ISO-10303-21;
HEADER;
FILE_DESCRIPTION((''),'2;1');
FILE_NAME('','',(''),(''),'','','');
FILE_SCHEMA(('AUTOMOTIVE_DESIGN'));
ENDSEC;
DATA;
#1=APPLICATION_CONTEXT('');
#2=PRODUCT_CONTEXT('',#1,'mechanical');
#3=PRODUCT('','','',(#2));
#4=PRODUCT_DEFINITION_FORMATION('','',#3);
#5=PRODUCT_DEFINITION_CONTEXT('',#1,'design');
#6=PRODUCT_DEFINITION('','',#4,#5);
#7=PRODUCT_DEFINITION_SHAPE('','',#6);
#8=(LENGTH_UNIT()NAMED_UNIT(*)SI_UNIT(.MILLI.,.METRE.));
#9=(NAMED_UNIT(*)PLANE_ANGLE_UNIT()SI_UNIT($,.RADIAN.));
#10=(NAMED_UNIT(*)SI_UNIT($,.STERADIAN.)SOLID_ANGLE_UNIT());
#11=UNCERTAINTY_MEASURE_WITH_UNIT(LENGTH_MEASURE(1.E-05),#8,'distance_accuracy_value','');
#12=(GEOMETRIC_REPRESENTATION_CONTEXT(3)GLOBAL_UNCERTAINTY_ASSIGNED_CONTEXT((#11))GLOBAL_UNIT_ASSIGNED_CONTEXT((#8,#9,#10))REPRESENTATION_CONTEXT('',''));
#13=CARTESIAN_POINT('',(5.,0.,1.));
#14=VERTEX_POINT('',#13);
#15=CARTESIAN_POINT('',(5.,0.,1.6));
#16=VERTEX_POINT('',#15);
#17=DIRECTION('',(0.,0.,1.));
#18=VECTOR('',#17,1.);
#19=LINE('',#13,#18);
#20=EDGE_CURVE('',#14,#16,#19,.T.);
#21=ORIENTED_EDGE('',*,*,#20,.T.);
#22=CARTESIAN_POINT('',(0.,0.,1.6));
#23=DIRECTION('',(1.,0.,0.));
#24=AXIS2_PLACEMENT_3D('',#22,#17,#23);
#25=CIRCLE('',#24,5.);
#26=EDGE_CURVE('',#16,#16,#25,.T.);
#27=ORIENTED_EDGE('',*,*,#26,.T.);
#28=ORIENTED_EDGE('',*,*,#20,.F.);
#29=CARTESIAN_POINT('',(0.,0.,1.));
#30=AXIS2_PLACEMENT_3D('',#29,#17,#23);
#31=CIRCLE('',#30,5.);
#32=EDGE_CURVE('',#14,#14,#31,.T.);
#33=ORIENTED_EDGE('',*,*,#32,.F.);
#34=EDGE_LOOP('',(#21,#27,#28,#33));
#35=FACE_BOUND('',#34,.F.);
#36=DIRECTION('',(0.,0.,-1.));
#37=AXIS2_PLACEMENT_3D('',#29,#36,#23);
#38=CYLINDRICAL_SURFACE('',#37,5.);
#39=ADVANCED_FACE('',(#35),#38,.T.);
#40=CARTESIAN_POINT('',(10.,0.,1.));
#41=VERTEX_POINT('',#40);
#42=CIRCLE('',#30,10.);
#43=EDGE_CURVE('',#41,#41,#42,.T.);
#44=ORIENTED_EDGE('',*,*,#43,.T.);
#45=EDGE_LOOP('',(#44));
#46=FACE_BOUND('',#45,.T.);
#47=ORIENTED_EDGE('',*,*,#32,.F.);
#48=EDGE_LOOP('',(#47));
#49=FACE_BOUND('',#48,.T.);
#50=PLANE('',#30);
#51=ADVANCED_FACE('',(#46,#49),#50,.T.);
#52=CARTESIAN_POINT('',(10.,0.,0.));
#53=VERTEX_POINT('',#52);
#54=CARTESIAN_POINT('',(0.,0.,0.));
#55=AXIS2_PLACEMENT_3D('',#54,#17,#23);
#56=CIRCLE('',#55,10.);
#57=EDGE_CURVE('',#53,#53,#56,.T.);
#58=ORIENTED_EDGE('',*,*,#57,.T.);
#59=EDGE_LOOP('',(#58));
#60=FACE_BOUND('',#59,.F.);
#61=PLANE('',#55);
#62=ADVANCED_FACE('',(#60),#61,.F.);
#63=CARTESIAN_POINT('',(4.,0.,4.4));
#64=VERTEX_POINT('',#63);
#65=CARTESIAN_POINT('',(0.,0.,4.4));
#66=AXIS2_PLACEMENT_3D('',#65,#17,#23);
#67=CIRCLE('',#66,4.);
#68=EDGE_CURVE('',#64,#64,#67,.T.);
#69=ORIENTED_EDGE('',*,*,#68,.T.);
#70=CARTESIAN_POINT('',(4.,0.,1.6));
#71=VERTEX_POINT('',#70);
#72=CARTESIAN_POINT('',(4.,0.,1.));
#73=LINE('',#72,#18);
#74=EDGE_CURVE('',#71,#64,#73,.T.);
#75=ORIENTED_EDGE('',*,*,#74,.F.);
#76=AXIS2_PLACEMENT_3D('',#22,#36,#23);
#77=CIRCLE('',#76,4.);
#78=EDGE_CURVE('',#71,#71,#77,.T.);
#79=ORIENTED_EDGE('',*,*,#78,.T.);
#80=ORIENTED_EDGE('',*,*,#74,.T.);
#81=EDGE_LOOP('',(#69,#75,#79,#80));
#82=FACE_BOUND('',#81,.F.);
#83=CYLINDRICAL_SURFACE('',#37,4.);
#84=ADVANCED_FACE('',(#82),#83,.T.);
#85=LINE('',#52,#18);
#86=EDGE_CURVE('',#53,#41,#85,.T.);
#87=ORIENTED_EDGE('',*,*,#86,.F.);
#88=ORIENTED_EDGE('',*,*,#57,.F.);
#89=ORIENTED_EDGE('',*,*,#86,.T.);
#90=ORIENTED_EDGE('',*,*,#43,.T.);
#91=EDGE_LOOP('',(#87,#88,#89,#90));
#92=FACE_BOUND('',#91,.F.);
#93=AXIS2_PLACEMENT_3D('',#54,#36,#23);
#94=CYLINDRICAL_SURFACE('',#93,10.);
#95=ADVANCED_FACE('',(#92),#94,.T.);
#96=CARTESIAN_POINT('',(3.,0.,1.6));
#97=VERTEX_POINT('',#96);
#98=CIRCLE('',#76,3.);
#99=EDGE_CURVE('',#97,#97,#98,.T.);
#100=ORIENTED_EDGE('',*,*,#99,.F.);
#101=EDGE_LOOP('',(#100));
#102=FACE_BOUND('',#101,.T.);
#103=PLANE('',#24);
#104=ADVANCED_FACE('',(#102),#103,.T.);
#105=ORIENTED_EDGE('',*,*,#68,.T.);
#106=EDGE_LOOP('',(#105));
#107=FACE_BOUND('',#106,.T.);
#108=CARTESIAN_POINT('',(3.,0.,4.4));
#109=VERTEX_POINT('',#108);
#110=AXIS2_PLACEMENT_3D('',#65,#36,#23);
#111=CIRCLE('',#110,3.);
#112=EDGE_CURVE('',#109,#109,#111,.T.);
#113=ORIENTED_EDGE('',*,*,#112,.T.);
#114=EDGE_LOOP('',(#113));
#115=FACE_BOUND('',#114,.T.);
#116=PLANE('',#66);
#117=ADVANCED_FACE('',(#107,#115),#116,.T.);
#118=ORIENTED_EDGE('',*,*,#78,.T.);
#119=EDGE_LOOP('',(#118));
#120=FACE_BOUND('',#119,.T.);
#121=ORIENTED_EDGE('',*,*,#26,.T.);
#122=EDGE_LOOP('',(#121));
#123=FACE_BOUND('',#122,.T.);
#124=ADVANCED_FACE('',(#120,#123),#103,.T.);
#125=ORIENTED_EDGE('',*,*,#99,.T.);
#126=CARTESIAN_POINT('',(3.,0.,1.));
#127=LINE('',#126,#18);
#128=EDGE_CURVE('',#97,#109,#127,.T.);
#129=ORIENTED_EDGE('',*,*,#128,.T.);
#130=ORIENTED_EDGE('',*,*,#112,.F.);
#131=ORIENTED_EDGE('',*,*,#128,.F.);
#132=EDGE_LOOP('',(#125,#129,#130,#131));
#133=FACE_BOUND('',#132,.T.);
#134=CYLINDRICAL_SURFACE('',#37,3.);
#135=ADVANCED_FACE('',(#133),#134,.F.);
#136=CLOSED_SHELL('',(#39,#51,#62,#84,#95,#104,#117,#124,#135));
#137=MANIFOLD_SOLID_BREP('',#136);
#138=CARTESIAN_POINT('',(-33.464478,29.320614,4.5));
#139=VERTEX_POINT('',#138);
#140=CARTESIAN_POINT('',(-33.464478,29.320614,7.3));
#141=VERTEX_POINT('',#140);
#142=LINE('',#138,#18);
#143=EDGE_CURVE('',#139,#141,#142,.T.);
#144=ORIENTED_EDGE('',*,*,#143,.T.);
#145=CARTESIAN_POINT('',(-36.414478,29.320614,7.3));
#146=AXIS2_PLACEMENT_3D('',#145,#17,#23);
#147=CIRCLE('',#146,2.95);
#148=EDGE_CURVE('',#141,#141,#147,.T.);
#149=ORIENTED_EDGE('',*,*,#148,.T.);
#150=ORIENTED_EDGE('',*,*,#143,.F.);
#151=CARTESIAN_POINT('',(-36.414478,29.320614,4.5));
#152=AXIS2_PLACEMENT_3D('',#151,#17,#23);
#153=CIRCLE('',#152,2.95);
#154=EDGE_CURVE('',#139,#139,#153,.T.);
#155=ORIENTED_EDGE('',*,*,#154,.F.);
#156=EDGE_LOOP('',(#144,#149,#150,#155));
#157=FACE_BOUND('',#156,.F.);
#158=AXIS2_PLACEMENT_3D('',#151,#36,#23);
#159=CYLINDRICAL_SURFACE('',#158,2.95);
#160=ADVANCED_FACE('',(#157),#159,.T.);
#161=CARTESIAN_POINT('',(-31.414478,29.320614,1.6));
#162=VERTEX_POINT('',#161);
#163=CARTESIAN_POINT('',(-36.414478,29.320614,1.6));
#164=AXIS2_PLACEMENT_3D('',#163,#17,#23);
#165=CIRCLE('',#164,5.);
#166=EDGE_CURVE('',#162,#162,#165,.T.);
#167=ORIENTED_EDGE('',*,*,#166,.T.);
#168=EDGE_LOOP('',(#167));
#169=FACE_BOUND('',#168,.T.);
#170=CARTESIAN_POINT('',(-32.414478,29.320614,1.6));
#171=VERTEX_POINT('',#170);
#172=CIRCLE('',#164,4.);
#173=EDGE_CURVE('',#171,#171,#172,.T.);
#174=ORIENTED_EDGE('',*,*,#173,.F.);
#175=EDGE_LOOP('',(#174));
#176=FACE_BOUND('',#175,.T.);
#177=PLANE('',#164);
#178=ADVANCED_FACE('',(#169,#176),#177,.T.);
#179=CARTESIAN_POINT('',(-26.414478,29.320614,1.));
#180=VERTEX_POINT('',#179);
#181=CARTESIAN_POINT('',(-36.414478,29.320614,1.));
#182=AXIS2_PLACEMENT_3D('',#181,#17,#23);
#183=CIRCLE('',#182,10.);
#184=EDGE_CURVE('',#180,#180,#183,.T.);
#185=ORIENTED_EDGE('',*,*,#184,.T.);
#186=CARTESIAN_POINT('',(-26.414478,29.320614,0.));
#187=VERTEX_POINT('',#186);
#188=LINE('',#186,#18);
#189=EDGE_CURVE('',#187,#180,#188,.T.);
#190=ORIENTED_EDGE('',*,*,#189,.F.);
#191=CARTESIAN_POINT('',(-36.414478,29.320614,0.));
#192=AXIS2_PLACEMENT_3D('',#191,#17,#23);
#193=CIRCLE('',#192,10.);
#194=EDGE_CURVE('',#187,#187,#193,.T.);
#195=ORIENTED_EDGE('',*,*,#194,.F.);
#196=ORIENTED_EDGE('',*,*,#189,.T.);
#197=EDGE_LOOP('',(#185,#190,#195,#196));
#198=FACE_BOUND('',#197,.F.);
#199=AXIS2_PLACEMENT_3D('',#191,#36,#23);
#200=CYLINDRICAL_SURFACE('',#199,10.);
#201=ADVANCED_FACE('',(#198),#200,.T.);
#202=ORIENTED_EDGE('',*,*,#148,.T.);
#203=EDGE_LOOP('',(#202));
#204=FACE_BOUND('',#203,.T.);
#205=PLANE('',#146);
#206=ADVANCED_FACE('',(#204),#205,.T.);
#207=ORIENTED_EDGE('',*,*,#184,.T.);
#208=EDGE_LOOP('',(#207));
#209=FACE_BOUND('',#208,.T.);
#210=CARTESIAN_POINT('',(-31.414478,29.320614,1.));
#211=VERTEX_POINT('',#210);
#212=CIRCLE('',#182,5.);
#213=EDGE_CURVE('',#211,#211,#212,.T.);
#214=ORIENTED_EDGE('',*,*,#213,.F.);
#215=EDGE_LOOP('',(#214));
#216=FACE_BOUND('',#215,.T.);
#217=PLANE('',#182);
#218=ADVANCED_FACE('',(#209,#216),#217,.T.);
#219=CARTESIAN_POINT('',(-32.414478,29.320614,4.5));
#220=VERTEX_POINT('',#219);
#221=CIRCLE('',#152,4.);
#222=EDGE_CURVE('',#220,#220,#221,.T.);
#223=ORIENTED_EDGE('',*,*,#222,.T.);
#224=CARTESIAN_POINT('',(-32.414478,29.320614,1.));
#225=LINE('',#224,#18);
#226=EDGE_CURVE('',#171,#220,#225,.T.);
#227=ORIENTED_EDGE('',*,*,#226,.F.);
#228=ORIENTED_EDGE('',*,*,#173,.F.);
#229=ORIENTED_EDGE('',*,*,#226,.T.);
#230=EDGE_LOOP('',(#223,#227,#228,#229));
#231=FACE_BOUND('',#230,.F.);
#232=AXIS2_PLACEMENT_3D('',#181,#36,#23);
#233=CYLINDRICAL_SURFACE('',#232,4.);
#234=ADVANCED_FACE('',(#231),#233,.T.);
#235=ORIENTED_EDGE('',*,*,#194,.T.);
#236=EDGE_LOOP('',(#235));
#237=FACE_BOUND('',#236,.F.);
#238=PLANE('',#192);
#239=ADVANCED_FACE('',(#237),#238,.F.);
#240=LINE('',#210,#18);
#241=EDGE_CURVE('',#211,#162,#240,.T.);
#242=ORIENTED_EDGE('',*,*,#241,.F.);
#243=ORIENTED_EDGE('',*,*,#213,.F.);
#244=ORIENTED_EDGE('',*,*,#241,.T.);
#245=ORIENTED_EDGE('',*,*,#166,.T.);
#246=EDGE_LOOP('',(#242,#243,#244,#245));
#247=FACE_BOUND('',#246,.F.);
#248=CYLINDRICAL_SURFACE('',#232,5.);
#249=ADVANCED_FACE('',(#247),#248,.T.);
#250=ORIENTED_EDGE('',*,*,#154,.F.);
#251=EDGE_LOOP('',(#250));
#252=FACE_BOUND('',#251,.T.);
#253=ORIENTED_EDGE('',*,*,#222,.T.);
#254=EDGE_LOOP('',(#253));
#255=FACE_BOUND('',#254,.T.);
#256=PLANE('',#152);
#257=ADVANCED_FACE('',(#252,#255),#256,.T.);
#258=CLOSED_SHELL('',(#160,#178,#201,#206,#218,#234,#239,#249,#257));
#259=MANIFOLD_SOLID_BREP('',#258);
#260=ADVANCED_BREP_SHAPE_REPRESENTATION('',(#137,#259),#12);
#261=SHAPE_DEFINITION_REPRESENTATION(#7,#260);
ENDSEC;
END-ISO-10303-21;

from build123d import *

# Parameters (mm, degrees)
F0_R      = 10
F1_DEPTH  = 1
F2_R      = 4
F3_DEPTH  = 3.4
F4_T      = -1
F5_R      = 5
F6_DEPTH  = 0.6
F7_R      = 10
F8_DEPTH  = 1
F9_R      = 4
F10_DEPTH = 3.5
F11_R     = 2.95
F12_DEPTH = 2.8
F13_R     = 5
F13_R_2   = 4
F14_DEPTH = 0.6


with BuildPart() as f1:
    # F0 (on Top) → F1 (new body)
    with BuildSketch(Plane.XY):
        Circle(F0_R)
    extrude(amount=F1_DEPTH)

    # F2 (on face) → F3 (join)
    with BuildSketch(Plane.XY.offset(1)):
        Circle(F2_R)
    extrude(amount=F3_DEPTH)

    # F4
    f4_openings = [f1.faces().sort_by_distance(p)[0] for p in [
        (0, 0, 4.4),
    ]]
    offset(amount=F4_T, openings=f4_openings, kind=Kind.INTERSECTION)

    # F5 (on face) → F6 (join)
    with BuildSketch(Plane.XY.offset(1)):
        Circle(F5_R)
    extrude(amount=F6_DEPTH)


with BuildPart() as f8:
    # F7 (on Top) → F8 (new body)
    with BuildSketch(Plane.XY):
        with Locations((-36.4144779742, 29.3206144124)):
            Circle(F7_R)
    extrude(amount=F8_DEPTH)

    # F9 (on face) → F10 (join)
    with BuildSketch(Plane.XY.offset(1)):
        with Locations((-36.4144779742, 29.3206144124)):
            Circle(F9_R)
    extrude(amount=F10_DEPTH)

    # F11 (on face) → F12 (join)
    with BuildSketch(Plane.XY.offset(4.5)):
        with Locations((-36.4144779742, 29.3206144124)):
            Circle(F11_R)
    extrude(amount=F12_DEPTH)

    # F13 (on face) → F14 (join)
    with BuildSketch(Plane.XY.offset(1)):
        with Locations((-36.4144779742, 29.3206144124)):
            Circle(F13_R)
        with Locations((-36.4144779742, 29.3206144124)):
            Circle(F13_R_2, mode=Mode.SUBTRACT)
    extrude(amount=F14_DEPTH)


solid = Compound([f1.part, f8.part])
